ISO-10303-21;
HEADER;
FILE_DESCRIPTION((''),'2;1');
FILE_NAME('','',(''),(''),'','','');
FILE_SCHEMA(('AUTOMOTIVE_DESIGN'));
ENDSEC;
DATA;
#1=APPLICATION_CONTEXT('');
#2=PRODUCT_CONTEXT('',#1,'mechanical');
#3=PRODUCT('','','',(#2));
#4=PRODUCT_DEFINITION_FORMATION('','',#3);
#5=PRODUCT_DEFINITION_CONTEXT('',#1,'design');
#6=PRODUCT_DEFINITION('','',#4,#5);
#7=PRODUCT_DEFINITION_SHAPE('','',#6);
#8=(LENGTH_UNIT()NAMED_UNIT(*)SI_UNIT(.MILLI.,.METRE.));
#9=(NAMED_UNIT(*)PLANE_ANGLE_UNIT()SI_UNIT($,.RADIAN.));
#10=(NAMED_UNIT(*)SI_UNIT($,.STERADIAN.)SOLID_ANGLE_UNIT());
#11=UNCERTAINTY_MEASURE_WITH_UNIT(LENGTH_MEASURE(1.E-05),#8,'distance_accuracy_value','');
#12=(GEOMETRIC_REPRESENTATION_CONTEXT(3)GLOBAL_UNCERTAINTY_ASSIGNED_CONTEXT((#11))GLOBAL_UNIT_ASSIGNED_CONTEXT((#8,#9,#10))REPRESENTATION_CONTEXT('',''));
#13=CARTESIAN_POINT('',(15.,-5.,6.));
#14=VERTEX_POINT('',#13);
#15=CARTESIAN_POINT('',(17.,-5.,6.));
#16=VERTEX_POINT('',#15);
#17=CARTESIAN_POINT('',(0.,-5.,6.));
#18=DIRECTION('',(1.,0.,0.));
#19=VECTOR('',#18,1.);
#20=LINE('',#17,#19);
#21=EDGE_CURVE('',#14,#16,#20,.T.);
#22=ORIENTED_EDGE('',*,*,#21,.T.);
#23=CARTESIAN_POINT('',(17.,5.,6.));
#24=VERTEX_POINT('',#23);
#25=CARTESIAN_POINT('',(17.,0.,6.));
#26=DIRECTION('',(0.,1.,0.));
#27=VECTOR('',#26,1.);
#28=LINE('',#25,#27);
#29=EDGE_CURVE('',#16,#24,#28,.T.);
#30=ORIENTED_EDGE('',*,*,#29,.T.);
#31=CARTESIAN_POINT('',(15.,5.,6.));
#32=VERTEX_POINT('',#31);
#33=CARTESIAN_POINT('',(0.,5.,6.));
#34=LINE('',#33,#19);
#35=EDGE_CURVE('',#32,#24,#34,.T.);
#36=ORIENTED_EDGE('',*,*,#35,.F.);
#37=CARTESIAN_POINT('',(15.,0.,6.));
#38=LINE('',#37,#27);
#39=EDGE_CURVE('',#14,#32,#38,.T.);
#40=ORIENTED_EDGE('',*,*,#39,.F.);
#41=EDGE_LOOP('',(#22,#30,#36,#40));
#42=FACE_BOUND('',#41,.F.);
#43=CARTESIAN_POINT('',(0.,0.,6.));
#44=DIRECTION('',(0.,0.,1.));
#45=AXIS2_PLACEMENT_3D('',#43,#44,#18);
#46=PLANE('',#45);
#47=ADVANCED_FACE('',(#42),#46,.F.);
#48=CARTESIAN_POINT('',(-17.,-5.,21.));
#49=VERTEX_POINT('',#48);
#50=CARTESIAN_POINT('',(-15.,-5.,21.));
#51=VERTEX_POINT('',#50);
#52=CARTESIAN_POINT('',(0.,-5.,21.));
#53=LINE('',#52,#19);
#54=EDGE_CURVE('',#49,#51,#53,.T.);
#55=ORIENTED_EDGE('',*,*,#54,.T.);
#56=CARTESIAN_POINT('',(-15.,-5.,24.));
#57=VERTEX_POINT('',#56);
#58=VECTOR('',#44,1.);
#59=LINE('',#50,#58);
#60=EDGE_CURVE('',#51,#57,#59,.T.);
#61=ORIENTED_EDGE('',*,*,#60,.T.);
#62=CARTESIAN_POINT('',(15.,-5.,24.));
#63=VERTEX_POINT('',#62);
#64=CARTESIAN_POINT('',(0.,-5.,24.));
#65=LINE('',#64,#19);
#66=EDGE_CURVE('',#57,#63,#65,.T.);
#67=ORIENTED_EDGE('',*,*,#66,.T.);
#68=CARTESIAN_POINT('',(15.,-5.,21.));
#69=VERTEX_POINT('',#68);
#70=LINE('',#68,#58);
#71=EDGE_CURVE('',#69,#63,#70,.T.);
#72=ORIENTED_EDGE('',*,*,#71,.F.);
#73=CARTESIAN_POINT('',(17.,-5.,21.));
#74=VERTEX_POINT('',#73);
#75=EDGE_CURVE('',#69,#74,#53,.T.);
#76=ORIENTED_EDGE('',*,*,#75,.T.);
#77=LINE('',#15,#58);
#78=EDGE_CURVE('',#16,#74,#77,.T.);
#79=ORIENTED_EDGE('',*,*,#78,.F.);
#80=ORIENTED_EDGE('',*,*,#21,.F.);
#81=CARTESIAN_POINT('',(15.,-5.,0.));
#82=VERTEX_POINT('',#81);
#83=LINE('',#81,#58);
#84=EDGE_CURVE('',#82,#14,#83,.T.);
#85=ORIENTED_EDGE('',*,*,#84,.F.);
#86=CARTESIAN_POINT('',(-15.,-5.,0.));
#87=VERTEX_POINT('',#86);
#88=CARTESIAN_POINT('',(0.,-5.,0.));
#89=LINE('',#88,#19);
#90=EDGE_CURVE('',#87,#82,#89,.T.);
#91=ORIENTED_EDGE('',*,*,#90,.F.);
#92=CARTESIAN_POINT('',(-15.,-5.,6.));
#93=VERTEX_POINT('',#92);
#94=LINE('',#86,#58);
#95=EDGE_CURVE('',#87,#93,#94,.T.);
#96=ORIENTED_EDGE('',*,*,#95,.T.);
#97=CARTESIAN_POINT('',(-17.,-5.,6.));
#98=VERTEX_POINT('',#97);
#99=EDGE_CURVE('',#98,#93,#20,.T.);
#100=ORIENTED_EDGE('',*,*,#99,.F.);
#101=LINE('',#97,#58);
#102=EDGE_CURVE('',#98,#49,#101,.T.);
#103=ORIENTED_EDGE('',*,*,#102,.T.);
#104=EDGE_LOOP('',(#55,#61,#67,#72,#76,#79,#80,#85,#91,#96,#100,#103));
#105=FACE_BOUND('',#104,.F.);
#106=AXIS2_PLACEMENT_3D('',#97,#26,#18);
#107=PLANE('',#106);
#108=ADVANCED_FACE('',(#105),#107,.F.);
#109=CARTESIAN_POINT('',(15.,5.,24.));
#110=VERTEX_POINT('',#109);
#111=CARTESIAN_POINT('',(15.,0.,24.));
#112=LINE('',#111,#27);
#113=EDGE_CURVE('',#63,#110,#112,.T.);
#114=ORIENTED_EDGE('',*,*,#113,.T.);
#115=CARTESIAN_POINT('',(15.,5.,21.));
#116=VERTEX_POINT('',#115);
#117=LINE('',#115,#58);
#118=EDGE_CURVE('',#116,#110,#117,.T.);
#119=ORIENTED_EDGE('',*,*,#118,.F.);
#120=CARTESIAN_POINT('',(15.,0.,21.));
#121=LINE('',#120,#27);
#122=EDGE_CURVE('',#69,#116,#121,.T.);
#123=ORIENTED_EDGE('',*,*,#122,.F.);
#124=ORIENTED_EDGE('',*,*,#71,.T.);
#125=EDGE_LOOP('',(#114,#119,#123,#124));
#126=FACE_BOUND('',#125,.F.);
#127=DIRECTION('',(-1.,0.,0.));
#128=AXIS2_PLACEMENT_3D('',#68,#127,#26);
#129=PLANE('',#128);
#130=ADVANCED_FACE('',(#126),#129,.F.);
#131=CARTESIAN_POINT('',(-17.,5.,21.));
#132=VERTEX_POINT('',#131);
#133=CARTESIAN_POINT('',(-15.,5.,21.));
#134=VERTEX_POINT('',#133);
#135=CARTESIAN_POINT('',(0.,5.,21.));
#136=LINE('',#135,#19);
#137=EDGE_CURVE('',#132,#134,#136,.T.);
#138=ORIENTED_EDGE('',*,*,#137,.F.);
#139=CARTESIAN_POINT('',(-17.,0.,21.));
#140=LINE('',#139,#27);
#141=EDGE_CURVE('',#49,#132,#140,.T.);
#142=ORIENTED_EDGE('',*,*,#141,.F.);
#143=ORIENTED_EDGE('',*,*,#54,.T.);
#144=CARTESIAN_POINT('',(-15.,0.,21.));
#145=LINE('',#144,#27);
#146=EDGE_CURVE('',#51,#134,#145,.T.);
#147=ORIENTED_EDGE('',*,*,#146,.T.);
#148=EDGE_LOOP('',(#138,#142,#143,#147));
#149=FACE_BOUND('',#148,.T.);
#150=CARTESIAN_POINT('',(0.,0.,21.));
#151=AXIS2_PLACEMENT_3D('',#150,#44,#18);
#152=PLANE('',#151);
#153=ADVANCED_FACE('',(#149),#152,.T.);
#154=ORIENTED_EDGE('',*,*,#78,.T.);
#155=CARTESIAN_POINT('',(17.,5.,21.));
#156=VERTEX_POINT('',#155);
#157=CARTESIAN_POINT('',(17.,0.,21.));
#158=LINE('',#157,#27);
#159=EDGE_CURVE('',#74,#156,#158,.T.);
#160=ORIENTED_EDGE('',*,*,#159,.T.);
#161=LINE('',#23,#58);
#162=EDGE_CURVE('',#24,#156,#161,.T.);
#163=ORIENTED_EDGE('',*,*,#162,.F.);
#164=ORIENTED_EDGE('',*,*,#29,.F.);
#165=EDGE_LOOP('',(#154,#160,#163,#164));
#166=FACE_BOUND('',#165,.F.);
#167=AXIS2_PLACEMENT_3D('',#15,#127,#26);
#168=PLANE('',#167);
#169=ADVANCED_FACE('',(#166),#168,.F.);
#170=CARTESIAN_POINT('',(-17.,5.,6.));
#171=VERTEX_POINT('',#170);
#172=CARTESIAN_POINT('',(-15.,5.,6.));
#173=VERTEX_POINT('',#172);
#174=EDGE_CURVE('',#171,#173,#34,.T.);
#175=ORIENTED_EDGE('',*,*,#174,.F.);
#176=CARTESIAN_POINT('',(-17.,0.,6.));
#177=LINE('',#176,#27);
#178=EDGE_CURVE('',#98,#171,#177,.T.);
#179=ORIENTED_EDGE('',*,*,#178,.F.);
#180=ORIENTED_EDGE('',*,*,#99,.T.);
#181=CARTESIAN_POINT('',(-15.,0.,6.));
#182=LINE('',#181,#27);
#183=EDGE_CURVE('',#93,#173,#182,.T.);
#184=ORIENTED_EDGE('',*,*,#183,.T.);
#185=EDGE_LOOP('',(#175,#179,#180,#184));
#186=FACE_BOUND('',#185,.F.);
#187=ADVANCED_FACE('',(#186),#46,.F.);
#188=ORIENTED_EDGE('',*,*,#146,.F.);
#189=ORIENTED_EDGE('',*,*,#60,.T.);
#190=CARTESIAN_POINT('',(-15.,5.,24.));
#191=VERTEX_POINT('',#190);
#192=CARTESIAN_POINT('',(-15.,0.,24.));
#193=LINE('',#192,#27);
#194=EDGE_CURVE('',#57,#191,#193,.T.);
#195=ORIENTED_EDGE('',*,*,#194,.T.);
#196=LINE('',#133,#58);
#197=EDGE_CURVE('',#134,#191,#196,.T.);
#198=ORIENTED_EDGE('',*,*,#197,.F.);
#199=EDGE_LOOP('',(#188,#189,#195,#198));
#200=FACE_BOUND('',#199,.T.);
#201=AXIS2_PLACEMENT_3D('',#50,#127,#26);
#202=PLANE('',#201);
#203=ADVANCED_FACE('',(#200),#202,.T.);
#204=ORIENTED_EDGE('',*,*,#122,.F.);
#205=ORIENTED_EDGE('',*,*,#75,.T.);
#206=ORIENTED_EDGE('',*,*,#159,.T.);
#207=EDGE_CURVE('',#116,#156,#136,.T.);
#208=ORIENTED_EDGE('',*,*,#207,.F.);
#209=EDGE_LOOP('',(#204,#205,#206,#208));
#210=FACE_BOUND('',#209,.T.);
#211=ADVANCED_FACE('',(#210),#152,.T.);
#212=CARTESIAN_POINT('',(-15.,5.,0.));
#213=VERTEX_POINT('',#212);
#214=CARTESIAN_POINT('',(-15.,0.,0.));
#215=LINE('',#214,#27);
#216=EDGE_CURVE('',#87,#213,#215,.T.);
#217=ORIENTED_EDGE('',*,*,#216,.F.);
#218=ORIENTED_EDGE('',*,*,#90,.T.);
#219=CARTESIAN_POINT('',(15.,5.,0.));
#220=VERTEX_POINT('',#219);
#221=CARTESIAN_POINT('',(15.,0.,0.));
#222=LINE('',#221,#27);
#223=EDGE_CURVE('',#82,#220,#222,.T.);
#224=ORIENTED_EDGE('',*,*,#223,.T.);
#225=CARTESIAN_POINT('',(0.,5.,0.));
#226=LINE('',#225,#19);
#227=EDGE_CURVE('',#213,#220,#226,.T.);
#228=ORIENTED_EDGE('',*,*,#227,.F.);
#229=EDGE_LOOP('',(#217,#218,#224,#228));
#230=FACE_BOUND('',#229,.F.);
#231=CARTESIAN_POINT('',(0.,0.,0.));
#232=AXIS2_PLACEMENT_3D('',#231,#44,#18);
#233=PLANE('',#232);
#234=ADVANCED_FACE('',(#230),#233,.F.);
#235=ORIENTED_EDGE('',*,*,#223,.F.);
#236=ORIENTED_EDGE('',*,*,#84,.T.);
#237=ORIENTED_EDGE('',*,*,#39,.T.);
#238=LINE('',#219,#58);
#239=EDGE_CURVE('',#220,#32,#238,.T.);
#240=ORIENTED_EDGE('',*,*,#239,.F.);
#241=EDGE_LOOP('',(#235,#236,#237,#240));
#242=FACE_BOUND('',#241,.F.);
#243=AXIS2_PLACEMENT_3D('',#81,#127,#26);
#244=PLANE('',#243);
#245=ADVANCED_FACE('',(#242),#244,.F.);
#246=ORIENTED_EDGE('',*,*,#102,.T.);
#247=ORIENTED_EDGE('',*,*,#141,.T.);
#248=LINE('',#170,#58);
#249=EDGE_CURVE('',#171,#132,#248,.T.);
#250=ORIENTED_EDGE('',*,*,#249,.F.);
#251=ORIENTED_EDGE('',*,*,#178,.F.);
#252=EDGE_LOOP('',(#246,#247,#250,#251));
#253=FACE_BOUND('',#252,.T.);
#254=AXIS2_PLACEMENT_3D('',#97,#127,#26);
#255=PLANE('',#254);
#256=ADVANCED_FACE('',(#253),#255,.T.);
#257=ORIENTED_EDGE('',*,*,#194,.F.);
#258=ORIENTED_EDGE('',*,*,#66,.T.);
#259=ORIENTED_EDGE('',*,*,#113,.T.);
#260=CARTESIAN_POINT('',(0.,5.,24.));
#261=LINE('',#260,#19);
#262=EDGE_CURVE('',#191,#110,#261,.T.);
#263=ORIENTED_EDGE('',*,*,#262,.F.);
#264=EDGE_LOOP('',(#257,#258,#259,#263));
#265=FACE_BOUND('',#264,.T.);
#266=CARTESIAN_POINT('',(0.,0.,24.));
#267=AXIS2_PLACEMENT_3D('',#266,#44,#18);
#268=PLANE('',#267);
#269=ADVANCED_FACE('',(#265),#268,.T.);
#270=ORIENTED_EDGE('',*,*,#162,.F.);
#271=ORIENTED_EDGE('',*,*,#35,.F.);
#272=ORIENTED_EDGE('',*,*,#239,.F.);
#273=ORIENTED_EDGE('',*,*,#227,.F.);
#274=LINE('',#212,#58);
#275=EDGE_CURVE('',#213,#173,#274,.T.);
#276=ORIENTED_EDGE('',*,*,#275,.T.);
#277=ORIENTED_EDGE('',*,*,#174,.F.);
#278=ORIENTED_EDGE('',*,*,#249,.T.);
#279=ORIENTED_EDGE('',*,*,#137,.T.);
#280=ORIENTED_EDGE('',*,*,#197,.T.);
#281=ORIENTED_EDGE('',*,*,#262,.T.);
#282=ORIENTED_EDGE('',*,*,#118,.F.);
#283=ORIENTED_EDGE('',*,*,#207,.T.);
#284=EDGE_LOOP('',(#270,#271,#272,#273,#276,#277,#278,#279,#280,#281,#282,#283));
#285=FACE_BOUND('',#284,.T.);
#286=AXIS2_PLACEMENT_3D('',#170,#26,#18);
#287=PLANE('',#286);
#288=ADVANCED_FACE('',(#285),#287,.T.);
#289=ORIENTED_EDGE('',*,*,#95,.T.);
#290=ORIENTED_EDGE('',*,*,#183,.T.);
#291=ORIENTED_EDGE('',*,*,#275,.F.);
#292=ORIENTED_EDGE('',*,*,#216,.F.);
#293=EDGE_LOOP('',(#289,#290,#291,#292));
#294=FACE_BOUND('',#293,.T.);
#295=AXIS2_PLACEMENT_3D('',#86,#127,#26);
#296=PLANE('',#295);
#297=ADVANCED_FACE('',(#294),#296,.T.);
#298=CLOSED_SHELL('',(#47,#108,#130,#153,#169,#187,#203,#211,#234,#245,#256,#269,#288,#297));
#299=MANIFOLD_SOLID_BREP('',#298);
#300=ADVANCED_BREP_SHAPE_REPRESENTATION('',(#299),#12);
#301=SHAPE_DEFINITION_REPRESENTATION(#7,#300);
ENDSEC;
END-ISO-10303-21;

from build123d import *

# Parameters (mm, degrees)
F0_W     = 30
F0_H     = 10
F1_DEPTH = 6
F2_W     = 34
F2_H     = 10
F3_DEPTH = 15
F4_W     = 30
F4_H     = 10
F5_DEPTH = 3


with BuildPart() as f1:
    # F0 (on Top) → F1 (new body)
    with BuildSketch(Plane.XY):
        Rectangle(F0_W, F0_H)
    extrude(amount=F1_DEPTH)

    # F2 (on face) → F3 (join)
    with BuildSketch(Plane.XY.offset(6)):
        Rectangle(F2_W, F2_H)
    extrude(amount=F3_DEPTH)

    # F4 (on face) → F5 (join)
    with BuildSketch(Plane.XY.offset(21)):
        Rectangle(F4_W, F4_H)
    extrude(amount=F5_DEPTH)


solid = f1.part
